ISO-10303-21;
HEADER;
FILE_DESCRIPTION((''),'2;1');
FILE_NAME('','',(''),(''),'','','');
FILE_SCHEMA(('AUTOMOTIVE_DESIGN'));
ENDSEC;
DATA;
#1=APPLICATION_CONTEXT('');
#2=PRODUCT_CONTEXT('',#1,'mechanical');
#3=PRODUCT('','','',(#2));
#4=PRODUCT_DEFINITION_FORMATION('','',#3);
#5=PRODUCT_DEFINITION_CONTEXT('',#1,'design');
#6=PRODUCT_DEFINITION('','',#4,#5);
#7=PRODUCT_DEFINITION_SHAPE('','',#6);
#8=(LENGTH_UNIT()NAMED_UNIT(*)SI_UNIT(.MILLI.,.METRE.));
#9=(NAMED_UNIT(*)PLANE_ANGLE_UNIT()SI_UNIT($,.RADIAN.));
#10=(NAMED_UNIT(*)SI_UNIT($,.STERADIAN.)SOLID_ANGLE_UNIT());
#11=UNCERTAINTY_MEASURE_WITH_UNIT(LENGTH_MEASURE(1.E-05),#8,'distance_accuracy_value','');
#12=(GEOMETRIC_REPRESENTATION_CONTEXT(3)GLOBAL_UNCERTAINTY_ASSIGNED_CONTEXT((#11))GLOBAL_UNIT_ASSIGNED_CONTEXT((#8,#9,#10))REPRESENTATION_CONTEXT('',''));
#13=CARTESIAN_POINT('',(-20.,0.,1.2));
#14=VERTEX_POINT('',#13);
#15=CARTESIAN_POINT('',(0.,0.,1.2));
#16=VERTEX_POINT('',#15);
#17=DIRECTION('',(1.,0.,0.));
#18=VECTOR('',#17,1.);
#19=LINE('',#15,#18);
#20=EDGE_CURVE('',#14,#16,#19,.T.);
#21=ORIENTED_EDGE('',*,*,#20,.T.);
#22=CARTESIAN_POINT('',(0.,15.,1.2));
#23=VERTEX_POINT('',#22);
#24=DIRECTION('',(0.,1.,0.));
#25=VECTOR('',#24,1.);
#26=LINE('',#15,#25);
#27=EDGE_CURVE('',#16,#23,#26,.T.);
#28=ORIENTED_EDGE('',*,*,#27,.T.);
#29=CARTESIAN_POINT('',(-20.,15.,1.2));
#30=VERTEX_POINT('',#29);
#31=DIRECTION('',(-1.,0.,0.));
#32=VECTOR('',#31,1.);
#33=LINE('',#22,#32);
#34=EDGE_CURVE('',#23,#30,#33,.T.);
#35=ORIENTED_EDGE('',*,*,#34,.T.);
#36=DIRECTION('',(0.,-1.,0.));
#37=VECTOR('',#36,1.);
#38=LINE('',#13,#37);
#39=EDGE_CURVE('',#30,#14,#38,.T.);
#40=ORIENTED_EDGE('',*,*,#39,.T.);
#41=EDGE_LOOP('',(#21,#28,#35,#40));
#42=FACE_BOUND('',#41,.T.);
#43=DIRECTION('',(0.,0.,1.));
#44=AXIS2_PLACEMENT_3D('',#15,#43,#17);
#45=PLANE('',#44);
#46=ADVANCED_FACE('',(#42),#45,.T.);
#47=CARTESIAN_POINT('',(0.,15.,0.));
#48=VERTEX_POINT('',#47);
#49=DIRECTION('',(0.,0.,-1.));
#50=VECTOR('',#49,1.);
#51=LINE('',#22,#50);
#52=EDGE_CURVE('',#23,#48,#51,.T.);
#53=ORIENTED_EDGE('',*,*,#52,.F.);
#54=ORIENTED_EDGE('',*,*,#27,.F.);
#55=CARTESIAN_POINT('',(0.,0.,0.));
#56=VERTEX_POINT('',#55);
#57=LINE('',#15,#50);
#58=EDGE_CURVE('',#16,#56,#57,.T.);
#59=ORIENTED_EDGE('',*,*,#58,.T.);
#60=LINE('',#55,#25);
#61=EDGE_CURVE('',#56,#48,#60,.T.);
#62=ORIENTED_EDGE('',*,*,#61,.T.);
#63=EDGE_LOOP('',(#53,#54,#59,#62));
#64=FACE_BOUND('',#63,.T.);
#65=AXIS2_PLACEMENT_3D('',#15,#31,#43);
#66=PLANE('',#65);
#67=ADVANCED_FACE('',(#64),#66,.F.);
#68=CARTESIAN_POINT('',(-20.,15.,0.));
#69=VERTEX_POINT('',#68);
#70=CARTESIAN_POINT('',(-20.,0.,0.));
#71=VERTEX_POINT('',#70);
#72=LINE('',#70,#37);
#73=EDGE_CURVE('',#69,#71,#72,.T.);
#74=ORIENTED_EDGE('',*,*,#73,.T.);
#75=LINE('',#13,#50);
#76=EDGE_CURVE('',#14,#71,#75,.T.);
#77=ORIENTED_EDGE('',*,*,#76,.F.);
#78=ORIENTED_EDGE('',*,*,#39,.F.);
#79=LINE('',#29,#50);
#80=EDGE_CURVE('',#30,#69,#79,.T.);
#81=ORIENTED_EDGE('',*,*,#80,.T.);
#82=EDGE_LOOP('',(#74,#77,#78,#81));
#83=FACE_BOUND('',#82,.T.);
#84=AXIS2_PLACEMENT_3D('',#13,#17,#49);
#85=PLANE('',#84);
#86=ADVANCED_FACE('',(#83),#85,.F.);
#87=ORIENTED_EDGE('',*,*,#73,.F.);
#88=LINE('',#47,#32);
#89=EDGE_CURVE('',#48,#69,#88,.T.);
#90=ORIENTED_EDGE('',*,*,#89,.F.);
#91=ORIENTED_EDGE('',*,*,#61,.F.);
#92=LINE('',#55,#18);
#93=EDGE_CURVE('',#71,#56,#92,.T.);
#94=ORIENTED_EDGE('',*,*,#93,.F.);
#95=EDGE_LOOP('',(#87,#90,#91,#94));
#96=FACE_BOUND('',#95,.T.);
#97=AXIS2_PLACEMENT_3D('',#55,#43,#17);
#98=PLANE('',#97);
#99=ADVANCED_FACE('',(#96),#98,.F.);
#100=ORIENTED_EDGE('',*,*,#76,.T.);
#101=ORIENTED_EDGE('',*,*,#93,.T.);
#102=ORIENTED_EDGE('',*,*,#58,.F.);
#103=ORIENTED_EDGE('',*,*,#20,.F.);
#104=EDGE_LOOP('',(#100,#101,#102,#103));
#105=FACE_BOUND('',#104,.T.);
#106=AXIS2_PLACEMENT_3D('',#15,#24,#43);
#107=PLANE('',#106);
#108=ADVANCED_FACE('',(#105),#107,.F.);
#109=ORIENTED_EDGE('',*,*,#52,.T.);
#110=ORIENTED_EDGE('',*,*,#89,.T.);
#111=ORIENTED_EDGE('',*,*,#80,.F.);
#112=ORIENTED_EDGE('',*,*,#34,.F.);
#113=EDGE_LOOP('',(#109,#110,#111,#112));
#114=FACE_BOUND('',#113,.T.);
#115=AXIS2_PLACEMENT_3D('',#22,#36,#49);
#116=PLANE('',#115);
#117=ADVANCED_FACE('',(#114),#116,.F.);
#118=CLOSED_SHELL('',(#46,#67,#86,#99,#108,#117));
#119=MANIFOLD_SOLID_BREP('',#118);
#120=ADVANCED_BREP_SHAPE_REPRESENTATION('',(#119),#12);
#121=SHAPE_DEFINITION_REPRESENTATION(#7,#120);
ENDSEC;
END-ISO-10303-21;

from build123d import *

# Parameters (mm, degrees)
ESBO_O1_W                = 20
ESBO_O1_H                = 15
RESSALTO_EXTRUS_O1_DEPTH = 1.2


with BuildPart() as part:
    # Esboço1 → Ressalto-extrusão1 (new body)
    with BuildSketch(Plane.XY):
        with Locations((-10, 7.5)):
            Rectangle(ESBO_O1_W, ESBO_O1_H)
    extrude(amount=RESSALTO_EXTRUS_O1_DEPTH)


solid = part.part
